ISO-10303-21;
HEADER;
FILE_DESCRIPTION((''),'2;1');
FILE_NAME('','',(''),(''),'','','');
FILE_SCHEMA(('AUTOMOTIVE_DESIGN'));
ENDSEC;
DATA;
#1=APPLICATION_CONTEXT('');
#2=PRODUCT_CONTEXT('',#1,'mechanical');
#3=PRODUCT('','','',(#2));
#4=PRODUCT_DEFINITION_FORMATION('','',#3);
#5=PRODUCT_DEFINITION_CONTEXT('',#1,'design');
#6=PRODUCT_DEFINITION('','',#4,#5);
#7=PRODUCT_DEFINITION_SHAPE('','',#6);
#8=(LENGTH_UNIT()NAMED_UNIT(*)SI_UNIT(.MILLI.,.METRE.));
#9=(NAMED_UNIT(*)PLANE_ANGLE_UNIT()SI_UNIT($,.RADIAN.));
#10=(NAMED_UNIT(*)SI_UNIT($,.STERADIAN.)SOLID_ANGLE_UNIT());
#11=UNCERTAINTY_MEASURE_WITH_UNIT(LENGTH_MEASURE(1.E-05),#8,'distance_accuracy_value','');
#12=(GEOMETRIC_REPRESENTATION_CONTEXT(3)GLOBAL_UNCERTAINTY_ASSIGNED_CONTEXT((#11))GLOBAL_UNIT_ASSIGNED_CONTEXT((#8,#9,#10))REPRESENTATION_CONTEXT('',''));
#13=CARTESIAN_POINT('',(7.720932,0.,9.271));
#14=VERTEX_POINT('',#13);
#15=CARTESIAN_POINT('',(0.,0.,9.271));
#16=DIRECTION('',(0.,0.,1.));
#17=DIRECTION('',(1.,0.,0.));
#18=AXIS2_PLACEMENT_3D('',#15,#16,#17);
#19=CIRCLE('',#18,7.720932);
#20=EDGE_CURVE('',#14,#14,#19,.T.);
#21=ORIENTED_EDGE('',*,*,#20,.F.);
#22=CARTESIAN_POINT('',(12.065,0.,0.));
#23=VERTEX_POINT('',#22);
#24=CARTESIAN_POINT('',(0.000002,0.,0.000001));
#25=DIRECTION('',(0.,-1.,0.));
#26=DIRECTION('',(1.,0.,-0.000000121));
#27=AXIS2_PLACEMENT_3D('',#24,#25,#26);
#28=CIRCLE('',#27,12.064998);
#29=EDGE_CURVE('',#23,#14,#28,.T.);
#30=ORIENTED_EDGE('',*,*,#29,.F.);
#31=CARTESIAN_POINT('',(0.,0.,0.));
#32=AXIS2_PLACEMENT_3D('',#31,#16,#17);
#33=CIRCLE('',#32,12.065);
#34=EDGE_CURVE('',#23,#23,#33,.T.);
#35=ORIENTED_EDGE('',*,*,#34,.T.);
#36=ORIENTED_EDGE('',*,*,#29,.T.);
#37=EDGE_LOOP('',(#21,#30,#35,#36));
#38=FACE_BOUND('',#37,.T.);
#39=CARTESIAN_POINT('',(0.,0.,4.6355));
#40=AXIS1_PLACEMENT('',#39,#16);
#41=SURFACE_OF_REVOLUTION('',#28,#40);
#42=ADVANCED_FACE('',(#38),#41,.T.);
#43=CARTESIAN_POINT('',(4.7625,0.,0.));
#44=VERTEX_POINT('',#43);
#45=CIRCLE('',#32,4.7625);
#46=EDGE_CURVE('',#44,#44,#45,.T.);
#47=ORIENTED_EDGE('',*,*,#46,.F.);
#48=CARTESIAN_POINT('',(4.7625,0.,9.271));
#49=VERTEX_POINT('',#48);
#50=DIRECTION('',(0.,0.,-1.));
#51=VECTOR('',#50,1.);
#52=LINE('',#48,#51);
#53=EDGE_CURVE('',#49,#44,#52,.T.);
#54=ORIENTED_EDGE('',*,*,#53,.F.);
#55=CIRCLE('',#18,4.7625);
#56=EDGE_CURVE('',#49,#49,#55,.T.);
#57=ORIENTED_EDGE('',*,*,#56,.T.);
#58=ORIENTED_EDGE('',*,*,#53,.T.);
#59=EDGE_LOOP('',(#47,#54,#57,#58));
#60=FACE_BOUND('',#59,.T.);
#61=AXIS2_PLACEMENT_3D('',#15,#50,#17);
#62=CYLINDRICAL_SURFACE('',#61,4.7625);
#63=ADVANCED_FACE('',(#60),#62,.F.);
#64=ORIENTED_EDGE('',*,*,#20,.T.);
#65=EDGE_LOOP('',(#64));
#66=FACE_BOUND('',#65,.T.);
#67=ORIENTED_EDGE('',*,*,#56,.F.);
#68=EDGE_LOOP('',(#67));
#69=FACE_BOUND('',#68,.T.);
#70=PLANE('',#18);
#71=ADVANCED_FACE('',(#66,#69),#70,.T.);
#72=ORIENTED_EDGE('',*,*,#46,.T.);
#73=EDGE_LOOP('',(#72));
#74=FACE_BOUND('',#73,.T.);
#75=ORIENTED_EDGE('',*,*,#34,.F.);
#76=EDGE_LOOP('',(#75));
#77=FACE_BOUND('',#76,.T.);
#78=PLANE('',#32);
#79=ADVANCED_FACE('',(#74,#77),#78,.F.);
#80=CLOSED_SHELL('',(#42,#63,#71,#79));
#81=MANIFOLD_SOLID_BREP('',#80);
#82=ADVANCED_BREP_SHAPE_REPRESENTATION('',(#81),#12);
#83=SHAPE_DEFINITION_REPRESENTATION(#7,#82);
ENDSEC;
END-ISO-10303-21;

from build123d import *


with BuildPart() as f1:
    # F0 (on Front) → F1 (revolve)
    with BuildSketch(Plane.XZ):
        with BuildLine():
            Line((4.7625, 0), (12.065, 0))
            ThreePointArc((12.065, 0), (10.925138, 5.11914), (7.720932, 9.271))
            Line((7.720932, 9.271), (4.7625, 9.271))
            Line((4.7625, 9.271), (4.7625, 0))
        make_face()
    revolve(axis=Axis((0, 0, 4.6355), (0, 0, 1)))


solid = f1.part
